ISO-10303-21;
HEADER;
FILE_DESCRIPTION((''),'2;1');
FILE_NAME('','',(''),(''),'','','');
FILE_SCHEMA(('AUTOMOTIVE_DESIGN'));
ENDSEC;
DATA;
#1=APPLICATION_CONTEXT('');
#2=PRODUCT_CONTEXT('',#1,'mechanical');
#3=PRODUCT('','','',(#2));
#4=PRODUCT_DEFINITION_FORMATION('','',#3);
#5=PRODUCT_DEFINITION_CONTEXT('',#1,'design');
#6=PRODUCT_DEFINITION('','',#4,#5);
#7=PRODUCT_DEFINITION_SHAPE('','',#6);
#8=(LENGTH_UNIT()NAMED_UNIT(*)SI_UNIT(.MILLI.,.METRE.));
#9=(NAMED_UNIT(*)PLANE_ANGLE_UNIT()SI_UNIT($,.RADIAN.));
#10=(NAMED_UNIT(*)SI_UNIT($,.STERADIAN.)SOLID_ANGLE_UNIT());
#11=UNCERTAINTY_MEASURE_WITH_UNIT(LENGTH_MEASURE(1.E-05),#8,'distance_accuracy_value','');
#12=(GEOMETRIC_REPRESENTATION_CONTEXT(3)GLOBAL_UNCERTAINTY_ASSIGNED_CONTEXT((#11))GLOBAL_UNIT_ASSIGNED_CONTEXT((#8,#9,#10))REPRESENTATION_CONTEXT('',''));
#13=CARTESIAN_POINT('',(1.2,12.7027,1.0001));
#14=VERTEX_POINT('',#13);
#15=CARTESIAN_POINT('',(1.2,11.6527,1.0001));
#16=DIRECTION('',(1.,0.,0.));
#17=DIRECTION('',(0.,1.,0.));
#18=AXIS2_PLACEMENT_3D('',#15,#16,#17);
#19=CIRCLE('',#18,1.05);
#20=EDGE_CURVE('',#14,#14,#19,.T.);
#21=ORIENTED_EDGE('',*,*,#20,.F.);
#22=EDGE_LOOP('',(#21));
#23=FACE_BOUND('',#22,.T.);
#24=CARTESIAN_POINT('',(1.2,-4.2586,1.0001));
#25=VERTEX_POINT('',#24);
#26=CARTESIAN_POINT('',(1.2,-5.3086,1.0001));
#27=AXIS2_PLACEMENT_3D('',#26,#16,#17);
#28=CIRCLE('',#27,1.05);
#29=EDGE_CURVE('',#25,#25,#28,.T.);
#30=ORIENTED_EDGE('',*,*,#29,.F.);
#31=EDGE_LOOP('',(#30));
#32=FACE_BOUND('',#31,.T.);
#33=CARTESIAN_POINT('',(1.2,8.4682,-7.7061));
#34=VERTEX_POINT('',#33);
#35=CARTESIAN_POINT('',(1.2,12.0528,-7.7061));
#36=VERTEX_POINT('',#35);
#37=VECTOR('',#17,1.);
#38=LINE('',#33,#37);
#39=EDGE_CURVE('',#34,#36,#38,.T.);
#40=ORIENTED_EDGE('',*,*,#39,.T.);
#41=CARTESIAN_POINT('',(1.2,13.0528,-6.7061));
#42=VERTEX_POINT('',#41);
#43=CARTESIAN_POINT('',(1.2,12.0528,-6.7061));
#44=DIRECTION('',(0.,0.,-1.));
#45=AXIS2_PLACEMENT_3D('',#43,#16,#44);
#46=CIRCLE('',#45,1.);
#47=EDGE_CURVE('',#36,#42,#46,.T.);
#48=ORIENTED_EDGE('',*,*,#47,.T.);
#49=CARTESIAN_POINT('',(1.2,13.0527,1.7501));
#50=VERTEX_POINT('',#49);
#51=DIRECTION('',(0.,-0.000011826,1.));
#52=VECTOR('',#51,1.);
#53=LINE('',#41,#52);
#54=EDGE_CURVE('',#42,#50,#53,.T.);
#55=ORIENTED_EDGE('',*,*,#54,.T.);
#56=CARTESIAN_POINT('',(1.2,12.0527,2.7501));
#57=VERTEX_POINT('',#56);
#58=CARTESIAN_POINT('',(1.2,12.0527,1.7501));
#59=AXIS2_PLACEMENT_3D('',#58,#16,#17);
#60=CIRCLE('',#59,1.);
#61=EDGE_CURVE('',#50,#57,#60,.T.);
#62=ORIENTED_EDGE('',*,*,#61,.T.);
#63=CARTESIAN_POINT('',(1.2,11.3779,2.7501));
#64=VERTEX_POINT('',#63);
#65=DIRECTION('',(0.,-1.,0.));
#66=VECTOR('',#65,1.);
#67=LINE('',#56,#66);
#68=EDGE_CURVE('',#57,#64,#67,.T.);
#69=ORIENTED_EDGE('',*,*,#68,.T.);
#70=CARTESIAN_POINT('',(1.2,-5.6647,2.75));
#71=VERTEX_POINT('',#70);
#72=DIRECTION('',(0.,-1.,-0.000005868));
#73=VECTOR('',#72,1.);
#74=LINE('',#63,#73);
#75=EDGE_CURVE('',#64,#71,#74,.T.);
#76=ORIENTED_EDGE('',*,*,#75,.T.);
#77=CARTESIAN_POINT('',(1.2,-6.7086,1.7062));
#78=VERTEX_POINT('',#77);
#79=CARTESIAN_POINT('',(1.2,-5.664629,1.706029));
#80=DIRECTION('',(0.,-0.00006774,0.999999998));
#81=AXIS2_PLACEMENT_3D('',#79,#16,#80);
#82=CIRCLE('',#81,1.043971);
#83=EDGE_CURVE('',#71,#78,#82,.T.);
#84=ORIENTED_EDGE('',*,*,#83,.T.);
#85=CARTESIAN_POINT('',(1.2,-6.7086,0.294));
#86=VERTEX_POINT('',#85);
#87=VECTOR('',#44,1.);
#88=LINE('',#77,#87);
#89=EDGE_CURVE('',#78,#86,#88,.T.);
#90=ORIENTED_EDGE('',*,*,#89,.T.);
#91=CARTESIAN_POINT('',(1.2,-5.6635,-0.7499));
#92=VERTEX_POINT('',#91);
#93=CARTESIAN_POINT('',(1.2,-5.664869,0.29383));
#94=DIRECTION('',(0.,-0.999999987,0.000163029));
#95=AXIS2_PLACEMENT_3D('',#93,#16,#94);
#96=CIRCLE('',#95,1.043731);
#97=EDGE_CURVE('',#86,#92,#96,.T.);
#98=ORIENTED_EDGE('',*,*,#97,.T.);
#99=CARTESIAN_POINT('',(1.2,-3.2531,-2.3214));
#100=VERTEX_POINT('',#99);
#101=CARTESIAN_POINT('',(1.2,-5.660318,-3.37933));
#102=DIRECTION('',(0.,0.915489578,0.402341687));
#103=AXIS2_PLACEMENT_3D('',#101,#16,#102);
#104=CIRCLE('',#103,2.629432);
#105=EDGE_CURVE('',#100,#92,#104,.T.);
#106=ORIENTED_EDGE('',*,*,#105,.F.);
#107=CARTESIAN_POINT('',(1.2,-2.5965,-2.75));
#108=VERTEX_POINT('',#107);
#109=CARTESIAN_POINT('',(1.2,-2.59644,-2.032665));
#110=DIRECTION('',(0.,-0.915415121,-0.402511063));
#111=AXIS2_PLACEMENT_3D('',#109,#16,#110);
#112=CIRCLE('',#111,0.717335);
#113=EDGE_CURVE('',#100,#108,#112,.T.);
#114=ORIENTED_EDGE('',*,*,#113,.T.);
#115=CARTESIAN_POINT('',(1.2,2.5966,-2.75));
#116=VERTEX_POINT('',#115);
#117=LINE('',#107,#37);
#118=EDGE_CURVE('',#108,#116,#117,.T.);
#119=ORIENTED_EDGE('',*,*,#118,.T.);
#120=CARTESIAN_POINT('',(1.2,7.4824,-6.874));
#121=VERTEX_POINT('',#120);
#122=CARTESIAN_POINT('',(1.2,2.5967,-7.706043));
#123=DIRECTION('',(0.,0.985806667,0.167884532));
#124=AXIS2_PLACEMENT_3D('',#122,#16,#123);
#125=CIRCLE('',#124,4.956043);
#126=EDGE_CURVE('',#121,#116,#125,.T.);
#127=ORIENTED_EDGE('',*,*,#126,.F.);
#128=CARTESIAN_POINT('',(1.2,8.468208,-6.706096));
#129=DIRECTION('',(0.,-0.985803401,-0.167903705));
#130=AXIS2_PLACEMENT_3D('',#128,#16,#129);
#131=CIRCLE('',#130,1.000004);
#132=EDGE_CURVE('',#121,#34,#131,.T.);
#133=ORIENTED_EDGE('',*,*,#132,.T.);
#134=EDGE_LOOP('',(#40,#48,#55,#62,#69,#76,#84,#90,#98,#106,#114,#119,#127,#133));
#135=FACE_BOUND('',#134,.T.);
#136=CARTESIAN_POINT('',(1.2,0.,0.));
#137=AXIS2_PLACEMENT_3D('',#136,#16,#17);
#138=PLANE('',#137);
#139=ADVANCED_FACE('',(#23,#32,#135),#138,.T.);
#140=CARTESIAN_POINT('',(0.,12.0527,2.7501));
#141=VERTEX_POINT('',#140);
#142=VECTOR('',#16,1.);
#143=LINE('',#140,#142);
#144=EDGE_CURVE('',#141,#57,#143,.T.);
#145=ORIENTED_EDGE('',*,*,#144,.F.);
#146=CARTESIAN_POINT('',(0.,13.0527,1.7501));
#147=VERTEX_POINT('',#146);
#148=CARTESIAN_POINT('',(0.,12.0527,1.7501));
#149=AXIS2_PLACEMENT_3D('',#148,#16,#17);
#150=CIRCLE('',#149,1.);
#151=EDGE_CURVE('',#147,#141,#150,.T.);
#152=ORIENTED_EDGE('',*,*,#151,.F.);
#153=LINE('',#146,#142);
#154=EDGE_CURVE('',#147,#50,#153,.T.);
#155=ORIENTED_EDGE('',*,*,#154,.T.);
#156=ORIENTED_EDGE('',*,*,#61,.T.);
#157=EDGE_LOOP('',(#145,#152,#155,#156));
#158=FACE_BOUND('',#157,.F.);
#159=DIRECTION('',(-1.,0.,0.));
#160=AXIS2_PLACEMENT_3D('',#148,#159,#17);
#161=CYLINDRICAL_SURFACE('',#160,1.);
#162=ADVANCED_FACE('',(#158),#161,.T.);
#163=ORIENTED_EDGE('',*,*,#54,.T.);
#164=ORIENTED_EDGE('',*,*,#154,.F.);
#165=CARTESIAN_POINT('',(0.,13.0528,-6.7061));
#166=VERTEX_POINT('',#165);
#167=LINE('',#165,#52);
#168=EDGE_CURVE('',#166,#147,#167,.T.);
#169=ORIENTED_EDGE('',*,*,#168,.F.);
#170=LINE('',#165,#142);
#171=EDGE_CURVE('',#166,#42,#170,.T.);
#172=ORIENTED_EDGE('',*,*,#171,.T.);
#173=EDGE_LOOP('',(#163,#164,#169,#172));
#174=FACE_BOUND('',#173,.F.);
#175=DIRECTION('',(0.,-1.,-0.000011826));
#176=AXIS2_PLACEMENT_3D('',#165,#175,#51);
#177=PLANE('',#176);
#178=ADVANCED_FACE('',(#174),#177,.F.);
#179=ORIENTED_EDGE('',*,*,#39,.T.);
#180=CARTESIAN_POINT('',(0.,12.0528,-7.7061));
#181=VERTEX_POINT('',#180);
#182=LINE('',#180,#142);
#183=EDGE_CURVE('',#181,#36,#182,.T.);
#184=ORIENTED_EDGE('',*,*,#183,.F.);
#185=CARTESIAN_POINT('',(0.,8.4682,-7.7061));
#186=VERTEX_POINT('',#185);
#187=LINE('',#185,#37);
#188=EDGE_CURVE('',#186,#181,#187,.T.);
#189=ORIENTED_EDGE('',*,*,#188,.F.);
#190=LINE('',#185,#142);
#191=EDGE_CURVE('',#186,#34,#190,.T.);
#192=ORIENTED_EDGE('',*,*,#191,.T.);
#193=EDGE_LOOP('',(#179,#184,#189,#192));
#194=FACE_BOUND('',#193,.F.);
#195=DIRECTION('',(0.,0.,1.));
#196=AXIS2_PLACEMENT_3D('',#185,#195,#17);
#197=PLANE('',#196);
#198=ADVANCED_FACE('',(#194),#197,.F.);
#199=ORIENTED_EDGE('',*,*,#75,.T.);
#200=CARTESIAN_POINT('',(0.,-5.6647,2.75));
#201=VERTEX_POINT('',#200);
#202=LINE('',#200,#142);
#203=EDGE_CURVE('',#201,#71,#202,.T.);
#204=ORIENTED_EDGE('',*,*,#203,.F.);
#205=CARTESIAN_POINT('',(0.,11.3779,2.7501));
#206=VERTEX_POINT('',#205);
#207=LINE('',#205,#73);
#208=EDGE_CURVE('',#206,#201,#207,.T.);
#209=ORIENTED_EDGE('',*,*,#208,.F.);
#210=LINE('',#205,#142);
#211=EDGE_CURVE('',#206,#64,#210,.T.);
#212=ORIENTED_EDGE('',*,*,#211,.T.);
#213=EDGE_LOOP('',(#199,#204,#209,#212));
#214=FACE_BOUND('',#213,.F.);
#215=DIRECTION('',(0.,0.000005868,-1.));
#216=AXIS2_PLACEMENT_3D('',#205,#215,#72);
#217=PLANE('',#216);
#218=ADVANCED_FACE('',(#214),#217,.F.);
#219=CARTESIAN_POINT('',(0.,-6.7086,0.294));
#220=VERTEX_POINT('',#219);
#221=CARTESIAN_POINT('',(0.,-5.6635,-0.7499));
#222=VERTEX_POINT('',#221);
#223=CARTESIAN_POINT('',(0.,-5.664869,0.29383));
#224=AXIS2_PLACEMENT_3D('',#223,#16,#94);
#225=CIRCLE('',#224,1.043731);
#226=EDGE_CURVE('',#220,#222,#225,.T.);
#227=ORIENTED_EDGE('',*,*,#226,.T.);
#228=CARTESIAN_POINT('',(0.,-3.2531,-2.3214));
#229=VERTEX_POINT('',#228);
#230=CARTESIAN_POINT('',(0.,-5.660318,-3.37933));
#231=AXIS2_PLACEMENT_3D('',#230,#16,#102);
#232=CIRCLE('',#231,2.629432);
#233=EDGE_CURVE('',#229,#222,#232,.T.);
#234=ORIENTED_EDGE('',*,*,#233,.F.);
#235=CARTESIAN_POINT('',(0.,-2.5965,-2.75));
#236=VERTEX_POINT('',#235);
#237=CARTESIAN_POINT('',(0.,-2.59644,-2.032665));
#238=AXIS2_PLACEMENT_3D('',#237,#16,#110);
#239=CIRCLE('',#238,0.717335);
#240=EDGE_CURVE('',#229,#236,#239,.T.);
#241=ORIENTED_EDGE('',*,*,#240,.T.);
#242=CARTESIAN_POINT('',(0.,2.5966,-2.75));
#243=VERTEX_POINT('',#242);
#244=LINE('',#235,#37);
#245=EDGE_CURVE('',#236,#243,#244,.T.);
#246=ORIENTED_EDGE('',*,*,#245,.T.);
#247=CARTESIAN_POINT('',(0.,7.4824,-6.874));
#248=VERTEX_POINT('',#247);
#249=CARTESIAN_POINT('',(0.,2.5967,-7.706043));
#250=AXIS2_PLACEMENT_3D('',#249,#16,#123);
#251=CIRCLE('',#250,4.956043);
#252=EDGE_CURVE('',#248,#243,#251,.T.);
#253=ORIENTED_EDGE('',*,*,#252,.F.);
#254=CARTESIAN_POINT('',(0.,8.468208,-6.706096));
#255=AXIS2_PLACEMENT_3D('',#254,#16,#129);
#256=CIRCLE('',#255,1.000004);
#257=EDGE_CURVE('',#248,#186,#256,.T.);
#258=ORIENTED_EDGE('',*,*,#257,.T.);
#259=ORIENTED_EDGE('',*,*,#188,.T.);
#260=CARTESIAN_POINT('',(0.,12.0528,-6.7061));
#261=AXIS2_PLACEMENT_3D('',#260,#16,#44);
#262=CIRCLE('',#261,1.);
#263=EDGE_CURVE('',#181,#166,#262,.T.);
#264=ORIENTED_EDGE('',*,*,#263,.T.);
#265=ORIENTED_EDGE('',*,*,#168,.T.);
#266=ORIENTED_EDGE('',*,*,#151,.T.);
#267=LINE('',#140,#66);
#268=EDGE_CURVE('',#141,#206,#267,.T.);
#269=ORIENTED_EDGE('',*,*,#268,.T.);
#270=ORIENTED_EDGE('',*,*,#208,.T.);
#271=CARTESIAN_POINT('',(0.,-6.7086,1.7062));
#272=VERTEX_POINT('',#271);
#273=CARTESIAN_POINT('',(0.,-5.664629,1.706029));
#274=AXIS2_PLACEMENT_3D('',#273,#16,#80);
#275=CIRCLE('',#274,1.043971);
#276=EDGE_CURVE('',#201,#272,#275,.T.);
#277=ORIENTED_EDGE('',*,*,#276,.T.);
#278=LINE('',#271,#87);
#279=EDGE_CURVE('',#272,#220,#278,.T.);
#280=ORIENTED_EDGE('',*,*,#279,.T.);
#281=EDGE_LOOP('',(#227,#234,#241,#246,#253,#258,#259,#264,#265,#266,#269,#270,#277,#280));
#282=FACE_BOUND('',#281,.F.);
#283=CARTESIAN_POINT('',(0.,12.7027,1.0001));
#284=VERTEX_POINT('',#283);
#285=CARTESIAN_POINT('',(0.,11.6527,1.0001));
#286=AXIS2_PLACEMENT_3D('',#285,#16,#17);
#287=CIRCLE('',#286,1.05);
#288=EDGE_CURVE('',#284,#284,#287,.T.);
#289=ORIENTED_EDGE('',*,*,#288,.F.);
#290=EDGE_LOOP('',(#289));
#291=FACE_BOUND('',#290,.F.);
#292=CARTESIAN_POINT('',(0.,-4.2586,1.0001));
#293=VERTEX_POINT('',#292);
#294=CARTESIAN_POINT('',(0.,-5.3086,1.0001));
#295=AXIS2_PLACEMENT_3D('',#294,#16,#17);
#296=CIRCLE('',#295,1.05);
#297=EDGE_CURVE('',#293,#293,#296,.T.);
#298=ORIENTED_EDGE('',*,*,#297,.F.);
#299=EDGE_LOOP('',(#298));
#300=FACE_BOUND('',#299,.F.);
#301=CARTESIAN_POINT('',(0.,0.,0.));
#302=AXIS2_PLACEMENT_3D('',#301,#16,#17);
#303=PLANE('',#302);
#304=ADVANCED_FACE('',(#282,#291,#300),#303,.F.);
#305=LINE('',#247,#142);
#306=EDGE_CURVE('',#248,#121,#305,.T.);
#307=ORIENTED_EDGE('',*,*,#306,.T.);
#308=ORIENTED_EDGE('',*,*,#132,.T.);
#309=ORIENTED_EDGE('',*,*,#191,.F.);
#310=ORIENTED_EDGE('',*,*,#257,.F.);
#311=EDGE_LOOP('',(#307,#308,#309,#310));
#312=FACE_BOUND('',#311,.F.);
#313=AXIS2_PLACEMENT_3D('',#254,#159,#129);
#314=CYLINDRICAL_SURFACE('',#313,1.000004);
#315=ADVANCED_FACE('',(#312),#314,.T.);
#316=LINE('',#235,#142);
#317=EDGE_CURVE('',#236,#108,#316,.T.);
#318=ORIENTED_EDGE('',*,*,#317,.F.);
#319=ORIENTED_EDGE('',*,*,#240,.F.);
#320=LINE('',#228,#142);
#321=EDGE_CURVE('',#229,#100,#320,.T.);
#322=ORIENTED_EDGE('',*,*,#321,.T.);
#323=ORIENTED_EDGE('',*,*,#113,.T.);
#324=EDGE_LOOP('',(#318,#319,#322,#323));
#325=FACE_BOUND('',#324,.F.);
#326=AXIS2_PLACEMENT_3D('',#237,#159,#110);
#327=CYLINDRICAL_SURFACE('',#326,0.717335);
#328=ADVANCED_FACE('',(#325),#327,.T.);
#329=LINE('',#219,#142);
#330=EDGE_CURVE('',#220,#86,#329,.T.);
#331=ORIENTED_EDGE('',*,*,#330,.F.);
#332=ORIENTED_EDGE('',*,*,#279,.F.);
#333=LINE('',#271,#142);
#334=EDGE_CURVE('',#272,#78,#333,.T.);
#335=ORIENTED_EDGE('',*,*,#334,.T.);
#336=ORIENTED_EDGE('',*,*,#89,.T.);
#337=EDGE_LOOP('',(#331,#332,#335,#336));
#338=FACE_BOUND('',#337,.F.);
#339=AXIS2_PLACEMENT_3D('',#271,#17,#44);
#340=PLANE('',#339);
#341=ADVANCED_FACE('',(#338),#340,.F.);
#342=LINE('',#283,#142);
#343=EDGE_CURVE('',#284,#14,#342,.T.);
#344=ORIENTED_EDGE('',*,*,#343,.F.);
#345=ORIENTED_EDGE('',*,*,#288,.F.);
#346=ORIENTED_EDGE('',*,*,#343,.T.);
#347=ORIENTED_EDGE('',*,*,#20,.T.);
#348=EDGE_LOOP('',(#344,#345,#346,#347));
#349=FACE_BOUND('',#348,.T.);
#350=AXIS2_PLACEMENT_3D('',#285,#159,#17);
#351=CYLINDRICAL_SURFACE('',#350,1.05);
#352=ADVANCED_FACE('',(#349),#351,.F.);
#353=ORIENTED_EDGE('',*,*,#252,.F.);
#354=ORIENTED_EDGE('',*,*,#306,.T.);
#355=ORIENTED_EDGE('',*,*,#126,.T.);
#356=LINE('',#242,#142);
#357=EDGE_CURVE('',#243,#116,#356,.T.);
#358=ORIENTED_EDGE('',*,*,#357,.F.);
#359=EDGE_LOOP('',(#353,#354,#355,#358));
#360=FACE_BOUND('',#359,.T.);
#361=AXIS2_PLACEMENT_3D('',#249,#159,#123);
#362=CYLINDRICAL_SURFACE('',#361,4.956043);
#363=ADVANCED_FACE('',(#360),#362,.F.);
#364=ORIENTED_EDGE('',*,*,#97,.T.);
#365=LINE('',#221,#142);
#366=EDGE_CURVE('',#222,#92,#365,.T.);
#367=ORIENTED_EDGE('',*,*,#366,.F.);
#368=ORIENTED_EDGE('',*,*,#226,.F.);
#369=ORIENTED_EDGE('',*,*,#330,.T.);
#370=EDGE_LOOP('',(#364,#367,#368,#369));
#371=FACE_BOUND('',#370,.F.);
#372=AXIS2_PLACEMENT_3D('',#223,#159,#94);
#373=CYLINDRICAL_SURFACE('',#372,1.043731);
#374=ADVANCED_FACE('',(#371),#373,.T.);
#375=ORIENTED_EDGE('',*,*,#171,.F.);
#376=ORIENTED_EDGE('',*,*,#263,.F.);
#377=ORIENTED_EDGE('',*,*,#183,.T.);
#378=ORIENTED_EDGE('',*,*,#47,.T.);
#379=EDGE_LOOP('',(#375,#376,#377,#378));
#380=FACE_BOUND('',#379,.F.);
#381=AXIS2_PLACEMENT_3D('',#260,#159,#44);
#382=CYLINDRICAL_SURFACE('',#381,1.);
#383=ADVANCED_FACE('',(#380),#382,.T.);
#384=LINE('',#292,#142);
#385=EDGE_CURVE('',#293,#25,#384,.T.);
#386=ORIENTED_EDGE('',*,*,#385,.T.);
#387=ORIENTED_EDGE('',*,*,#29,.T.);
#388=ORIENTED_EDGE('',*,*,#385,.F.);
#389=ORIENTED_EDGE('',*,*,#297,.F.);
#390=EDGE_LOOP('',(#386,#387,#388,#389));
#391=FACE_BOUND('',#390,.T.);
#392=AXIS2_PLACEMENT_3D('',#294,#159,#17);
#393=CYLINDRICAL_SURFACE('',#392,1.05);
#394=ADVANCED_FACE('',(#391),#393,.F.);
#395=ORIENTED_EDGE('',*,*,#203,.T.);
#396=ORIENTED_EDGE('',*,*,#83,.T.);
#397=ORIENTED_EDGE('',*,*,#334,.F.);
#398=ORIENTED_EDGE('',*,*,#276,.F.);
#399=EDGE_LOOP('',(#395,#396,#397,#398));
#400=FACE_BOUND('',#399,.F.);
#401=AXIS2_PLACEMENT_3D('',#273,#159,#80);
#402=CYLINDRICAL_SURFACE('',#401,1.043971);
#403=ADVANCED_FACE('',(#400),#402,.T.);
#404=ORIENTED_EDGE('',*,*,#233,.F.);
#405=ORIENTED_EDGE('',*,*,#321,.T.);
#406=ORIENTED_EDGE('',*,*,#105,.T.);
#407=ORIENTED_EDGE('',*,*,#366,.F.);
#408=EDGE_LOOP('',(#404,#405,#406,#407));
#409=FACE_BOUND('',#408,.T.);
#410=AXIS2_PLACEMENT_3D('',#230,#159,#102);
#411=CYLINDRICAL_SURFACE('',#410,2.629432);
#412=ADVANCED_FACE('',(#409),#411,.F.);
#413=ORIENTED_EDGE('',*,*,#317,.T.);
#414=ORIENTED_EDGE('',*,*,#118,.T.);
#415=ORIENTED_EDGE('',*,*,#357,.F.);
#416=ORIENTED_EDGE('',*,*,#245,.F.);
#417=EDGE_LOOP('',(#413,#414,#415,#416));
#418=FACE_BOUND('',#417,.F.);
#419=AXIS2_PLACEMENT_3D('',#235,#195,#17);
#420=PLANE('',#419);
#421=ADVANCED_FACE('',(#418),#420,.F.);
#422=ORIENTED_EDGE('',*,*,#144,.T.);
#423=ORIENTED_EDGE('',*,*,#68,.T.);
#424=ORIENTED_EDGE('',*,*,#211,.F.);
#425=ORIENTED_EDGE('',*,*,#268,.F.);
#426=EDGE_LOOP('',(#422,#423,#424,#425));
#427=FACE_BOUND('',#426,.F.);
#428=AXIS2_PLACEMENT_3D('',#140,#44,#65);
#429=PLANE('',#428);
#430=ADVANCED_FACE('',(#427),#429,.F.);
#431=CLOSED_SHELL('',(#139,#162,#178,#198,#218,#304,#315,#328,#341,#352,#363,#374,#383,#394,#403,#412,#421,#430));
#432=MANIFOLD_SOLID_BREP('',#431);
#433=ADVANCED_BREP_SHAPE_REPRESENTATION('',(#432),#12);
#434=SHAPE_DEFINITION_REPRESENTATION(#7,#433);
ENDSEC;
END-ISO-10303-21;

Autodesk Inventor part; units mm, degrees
ref_plane "YZ Plane" through (0, 0, 0) normal (1, 0, 0) x (0, 1, 0)
ref_plane "XZ Plane" through (0, 0, 0) normal (0, 1, 0) x (-1, 0, 0)
ref_plane "XY Plane" through (0, 0, 0) normal (0, 0, 1) x (1, 0, 0)
sketch "Skizze1" plane through (0, 0, 0) normal (1, 0, 0) x (0, 1, 0)
  line L0 (11.3779, 2.7501) -> (-5.6647, 2.75)
  arc A0 (-5.6647, 2.75) -> (-6.7086, 1.7062) centre (-5.6647, 1.7062) ccw
  line L1 (-6.7086, 1.7062) -> (-6.7086, 0.294)
  arc A1 (-6.7086, 0.294) -> (-5.6635, -0.7499) centre (-5.6647, 0.2939) ccw
  arc A2 (-3.2531, -2.3214) -> (-5.6635, -0.7499) centre (-5.6604, -3.3794) ccw
  arc A3 (-3.2531, -2.3214) -> (-2.5965, -2.75) centre (-2.5966, -2.0328) ccw
  line L2 (-2.5965, -2.75) -> (2.5966, -2.75)
  arc A4 (7.4824, -6.874) -> (2.5966, -2.75) centre (2.5966, -7.7061) ccw
  line L3 (8.4682, -7.7061) -> (12.0528, -7.7061)
  line L4 (13.0528, -6.7061) -> (13.0527, 1.7501)
  line L5 (12.0527, 2.7501) -> (11.3779, 2.7501)
  arc A5 (7.4824, -6.874) -> (8.4682, -7.7061) centre (8.4682, -6.7061) ccw
  arc A6 (12.0528, -7.7061) -> (13.0528, -6.7061) centre (12.0528, -6.7061) ccw
  arc A7 (13.0527, 1.7501) -> (12.0527, 2.7501) centre (12.0527, 1.7501) ccw
  line L6 (-6.7086, 1.0001) -> (-6.3086, 1.0001) construction
  circle A8 centre (-5.3086, 1.0001) radius 1.05
  circle A9 centre (11.6527, 1.0001) radius 1.05
  point P0 (0, 0)
  point P1 (13.0528, -7.7061)
  point P2 (0, 0)
  dimension "d9" = 5.5
  dimension "d10" = 1
  dimension "d11" = 0.4
  dimension "d12" = 2.1
  dimension "d13" = 1
  dimension "d16" = 2.1
extrude "Extrusion1" add sketch "Skizze1" along normal blind 1.2
properties part number "Lichtschrankenplatine"
